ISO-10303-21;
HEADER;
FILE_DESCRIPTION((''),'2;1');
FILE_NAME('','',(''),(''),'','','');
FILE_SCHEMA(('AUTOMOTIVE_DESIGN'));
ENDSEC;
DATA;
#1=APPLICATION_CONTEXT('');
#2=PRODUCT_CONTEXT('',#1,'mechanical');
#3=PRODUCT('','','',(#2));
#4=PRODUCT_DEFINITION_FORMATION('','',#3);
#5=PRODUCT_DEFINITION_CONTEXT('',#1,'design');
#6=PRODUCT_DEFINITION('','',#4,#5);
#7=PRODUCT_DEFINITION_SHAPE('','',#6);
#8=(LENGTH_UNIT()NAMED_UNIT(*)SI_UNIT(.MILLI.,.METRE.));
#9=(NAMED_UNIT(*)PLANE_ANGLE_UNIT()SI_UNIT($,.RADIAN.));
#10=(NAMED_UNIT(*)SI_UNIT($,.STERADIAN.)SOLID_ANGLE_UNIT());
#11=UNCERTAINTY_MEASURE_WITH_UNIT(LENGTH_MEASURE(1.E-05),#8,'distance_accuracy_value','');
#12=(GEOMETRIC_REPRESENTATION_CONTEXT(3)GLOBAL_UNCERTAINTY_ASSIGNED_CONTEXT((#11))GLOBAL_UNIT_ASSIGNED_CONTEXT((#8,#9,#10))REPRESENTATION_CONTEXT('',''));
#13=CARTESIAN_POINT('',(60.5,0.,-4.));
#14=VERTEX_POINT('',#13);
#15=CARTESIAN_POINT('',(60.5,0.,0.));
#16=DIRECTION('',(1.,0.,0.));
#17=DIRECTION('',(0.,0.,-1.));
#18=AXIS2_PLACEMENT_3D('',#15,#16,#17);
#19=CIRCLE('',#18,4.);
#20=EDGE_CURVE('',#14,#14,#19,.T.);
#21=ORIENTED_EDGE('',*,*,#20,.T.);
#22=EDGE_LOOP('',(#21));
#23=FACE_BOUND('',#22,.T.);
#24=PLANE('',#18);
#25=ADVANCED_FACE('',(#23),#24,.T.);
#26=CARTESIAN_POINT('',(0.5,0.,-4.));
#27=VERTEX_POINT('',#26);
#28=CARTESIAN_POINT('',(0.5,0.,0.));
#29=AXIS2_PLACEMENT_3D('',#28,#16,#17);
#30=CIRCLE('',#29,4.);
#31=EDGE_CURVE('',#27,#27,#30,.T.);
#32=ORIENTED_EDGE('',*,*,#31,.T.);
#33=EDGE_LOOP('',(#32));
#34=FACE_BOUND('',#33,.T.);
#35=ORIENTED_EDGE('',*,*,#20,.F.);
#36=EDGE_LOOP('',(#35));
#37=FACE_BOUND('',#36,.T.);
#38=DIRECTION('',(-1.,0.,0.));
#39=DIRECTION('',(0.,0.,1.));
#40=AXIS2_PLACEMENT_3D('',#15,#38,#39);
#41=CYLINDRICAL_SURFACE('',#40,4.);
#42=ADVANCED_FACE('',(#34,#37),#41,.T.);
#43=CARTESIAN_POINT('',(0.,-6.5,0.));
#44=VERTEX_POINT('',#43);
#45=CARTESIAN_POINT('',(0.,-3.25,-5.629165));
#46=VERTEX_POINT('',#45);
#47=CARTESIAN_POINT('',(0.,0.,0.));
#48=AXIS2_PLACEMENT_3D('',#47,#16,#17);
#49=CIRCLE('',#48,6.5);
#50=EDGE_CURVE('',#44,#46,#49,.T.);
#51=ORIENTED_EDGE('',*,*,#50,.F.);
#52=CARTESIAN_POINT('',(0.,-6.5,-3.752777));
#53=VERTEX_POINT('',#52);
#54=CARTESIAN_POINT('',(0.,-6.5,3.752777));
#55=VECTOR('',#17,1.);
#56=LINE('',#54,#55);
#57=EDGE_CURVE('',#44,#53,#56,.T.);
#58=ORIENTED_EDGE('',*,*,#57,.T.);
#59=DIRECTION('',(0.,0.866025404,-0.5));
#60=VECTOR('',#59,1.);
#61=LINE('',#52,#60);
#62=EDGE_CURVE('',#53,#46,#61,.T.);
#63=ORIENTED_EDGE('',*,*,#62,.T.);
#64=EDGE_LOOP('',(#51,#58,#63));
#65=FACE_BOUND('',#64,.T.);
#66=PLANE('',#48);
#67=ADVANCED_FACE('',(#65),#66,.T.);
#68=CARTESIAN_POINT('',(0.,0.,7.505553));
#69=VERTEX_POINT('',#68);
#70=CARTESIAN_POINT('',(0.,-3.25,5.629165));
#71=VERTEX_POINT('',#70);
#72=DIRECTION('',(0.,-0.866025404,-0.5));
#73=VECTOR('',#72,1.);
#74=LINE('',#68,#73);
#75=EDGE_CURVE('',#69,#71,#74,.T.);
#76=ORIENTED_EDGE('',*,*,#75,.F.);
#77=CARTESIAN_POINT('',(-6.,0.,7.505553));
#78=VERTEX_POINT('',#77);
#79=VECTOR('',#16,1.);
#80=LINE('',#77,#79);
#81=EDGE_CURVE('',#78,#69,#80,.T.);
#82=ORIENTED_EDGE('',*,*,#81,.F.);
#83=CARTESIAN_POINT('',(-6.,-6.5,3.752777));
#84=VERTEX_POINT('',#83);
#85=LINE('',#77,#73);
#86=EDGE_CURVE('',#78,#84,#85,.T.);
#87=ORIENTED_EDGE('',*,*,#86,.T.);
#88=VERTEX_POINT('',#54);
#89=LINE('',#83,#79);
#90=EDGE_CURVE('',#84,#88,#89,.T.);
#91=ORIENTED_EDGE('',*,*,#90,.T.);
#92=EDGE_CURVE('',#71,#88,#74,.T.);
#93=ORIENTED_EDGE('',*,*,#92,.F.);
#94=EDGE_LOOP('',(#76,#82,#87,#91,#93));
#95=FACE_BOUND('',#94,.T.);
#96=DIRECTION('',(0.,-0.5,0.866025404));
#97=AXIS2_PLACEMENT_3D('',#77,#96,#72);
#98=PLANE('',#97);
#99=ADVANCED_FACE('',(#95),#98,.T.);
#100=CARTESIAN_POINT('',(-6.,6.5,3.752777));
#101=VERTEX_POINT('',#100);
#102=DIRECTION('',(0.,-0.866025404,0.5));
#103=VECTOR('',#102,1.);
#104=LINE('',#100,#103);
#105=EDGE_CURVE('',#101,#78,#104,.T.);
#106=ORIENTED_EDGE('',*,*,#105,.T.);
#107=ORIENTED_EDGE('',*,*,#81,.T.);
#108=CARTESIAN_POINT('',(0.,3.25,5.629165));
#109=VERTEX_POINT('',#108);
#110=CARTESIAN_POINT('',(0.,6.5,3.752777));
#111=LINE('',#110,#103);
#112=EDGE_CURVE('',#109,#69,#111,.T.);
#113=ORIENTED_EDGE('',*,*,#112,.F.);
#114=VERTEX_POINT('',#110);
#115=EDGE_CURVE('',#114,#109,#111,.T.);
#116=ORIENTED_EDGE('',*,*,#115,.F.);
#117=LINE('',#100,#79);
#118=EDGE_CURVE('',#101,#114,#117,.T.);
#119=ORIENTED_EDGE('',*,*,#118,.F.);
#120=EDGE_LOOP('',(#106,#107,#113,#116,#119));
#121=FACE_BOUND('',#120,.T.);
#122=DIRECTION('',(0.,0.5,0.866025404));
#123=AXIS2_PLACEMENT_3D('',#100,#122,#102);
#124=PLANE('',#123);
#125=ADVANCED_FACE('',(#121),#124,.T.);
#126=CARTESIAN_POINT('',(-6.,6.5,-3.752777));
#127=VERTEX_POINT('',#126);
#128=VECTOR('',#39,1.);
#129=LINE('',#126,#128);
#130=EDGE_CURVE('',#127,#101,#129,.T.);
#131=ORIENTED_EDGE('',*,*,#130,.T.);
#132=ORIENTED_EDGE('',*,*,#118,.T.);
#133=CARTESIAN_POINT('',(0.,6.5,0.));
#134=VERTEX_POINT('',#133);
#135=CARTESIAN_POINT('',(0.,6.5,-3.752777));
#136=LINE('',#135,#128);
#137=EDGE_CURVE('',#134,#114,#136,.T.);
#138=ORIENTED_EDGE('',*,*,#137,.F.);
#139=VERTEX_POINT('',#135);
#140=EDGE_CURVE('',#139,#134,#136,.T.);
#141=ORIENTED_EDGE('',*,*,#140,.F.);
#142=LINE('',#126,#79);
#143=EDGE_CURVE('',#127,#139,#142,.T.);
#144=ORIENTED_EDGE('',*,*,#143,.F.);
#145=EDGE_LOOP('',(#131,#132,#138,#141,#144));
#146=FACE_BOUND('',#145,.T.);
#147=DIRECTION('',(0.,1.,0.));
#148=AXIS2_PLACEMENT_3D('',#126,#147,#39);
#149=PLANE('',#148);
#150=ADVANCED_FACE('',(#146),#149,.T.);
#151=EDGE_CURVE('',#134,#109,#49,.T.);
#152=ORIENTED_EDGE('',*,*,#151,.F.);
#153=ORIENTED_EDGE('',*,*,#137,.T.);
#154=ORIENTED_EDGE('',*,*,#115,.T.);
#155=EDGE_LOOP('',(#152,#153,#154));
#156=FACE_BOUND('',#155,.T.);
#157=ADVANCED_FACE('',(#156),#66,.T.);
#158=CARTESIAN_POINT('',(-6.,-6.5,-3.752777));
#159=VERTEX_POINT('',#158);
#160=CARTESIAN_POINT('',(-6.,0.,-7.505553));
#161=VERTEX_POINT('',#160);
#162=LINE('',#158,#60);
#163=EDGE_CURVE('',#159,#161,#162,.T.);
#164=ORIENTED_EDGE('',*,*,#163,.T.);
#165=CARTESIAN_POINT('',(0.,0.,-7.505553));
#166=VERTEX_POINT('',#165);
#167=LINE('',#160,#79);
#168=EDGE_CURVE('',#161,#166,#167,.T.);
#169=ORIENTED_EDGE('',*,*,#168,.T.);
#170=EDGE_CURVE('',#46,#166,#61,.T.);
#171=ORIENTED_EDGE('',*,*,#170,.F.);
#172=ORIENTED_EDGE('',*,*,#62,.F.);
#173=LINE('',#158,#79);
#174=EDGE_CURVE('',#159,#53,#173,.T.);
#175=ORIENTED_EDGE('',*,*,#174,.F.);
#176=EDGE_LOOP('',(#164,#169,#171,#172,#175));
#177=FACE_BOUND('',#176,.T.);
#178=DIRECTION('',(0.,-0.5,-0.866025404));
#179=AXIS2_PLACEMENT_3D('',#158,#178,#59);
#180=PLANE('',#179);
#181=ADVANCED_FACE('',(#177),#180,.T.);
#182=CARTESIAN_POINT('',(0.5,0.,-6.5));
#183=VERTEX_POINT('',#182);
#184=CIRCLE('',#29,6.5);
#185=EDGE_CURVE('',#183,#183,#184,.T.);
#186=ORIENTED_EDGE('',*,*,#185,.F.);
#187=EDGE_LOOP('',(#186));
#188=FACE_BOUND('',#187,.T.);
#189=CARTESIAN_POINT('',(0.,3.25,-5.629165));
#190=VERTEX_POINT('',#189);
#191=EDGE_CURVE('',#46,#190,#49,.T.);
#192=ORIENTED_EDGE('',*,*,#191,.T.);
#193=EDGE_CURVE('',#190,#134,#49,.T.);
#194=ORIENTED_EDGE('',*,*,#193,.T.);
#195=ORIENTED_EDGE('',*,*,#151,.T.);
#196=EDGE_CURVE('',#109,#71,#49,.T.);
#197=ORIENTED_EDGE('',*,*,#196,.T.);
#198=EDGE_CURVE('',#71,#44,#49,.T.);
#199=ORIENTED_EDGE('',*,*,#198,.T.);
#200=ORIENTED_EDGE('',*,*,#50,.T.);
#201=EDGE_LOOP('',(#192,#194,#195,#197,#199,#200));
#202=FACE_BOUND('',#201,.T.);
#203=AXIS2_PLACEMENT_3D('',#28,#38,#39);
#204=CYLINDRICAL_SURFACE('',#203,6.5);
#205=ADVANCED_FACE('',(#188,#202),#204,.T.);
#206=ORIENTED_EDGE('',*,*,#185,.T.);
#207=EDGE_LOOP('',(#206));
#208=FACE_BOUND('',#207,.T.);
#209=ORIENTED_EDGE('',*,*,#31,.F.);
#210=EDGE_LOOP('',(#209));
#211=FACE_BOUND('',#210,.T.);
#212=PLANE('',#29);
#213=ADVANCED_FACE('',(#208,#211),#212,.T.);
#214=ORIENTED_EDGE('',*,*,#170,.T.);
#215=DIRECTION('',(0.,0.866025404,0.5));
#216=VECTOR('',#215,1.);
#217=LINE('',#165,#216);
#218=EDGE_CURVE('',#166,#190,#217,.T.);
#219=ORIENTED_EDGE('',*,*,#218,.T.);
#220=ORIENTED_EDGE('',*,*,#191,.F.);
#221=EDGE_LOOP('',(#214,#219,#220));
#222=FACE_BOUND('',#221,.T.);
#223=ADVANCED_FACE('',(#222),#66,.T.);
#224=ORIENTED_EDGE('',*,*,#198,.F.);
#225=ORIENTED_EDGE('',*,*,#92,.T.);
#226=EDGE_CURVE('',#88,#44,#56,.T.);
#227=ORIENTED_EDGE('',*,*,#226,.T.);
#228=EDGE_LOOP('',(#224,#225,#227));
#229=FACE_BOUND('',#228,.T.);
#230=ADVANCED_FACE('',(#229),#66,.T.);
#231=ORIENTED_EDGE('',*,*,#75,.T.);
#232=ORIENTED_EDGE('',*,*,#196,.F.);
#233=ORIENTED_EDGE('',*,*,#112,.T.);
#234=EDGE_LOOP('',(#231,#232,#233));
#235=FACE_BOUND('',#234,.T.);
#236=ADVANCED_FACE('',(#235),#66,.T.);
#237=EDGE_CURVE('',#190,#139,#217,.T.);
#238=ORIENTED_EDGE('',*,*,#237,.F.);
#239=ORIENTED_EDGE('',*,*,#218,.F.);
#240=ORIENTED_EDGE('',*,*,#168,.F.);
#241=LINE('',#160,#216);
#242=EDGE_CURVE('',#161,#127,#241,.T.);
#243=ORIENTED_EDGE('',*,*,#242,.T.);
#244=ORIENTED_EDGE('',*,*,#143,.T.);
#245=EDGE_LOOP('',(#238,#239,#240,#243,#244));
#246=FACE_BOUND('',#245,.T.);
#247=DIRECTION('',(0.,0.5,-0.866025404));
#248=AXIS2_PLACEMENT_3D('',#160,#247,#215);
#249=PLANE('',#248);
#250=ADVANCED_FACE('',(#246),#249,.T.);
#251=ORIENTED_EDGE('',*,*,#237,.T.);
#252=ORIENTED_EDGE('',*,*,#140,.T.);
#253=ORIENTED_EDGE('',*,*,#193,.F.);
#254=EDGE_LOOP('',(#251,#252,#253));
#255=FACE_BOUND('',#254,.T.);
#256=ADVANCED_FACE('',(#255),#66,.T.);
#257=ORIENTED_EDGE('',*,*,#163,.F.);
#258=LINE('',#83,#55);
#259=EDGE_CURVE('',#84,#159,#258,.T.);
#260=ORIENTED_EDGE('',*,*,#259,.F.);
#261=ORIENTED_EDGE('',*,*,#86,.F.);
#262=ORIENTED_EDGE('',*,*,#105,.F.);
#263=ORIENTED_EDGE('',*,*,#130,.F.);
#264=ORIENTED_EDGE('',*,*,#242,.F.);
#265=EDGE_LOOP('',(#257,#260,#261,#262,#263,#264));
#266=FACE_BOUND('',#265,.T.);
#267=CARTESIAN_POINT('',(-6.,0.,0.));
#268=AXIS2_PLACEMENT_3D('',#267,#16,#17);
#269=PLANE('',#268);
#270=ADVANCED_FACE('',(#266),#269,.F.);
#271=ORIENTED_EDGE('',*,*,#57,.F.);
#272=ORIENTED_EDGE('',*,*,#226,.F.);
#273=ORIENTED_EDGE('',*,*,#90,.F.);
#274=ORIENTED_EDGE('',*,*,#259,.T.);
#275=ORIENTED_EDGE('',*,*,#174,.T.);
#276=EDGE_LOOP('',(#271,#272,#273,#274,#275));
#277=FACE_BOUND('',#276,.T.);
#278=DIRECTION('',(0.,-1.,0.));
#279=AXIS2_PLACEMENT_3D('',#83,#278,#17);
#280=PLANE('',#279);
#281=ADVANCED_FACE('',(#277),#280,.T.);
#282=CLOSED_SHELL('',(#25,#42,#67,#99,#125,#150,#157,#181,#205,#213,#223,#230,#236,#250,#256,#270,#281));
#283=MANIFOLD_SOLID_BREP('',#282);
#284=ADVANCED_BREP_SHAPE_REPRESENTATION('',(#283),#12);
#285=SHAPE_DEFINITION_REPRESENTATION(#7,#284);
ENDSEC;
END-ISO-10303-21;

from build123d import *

# Parameters (mm, degrees)
BOSS_EXTRUDE1_DEPTH = 6
SKETCH2_R           = 6.5
BOSS_EXTRUDE2_DEPTH = 0.5
SKETCH3_R           = 4
BOSS_EXTRUDE3_DEPTH = 60


with BuildPart() as part:
    # Sketch1 → Boss-Extrude1 (new body)
    with BuildSketch(Plane(origin=(0, 0, 0), x_dir=(0, 0, -1), z_dir=(1, 0, 0))):
        Polygon((-7.505553499, 0), (-3.75277675, -6.5), (3.75277675, -6.5), (7.505553499, 0), (3.75277675, 6.5), (-3.75277675, 6.5), align=None)
    extrude(amount=-BOSS_EXTRUDE1_DEPTH)

    # Sketch2 → Boss-Extrude2 (add)
    with BuildSketch(Plane(origin=(0, 0, 0), x_dir=(0, 0, -1), z_dir=(1, 0, 0))):
        with Locations(Location((0, 0, 0), (0, 0, 150))):
            Circle(SKETCH2_R)
    extrude(amount=BOSS_EXTRUDE2_DEPTH)

    # Sketch3 → Boss-Extrude3 (add)
    with BuildSketch(Plane(origin=(0.5, 0, 0), x_dir=(0, 0, -1), z_dir=(1, 0, 0))):
        Circle(SKETCH3_R)
    extrude(amount=BOSS_EXTRUDE3_DEPTH)


solid = part.part
